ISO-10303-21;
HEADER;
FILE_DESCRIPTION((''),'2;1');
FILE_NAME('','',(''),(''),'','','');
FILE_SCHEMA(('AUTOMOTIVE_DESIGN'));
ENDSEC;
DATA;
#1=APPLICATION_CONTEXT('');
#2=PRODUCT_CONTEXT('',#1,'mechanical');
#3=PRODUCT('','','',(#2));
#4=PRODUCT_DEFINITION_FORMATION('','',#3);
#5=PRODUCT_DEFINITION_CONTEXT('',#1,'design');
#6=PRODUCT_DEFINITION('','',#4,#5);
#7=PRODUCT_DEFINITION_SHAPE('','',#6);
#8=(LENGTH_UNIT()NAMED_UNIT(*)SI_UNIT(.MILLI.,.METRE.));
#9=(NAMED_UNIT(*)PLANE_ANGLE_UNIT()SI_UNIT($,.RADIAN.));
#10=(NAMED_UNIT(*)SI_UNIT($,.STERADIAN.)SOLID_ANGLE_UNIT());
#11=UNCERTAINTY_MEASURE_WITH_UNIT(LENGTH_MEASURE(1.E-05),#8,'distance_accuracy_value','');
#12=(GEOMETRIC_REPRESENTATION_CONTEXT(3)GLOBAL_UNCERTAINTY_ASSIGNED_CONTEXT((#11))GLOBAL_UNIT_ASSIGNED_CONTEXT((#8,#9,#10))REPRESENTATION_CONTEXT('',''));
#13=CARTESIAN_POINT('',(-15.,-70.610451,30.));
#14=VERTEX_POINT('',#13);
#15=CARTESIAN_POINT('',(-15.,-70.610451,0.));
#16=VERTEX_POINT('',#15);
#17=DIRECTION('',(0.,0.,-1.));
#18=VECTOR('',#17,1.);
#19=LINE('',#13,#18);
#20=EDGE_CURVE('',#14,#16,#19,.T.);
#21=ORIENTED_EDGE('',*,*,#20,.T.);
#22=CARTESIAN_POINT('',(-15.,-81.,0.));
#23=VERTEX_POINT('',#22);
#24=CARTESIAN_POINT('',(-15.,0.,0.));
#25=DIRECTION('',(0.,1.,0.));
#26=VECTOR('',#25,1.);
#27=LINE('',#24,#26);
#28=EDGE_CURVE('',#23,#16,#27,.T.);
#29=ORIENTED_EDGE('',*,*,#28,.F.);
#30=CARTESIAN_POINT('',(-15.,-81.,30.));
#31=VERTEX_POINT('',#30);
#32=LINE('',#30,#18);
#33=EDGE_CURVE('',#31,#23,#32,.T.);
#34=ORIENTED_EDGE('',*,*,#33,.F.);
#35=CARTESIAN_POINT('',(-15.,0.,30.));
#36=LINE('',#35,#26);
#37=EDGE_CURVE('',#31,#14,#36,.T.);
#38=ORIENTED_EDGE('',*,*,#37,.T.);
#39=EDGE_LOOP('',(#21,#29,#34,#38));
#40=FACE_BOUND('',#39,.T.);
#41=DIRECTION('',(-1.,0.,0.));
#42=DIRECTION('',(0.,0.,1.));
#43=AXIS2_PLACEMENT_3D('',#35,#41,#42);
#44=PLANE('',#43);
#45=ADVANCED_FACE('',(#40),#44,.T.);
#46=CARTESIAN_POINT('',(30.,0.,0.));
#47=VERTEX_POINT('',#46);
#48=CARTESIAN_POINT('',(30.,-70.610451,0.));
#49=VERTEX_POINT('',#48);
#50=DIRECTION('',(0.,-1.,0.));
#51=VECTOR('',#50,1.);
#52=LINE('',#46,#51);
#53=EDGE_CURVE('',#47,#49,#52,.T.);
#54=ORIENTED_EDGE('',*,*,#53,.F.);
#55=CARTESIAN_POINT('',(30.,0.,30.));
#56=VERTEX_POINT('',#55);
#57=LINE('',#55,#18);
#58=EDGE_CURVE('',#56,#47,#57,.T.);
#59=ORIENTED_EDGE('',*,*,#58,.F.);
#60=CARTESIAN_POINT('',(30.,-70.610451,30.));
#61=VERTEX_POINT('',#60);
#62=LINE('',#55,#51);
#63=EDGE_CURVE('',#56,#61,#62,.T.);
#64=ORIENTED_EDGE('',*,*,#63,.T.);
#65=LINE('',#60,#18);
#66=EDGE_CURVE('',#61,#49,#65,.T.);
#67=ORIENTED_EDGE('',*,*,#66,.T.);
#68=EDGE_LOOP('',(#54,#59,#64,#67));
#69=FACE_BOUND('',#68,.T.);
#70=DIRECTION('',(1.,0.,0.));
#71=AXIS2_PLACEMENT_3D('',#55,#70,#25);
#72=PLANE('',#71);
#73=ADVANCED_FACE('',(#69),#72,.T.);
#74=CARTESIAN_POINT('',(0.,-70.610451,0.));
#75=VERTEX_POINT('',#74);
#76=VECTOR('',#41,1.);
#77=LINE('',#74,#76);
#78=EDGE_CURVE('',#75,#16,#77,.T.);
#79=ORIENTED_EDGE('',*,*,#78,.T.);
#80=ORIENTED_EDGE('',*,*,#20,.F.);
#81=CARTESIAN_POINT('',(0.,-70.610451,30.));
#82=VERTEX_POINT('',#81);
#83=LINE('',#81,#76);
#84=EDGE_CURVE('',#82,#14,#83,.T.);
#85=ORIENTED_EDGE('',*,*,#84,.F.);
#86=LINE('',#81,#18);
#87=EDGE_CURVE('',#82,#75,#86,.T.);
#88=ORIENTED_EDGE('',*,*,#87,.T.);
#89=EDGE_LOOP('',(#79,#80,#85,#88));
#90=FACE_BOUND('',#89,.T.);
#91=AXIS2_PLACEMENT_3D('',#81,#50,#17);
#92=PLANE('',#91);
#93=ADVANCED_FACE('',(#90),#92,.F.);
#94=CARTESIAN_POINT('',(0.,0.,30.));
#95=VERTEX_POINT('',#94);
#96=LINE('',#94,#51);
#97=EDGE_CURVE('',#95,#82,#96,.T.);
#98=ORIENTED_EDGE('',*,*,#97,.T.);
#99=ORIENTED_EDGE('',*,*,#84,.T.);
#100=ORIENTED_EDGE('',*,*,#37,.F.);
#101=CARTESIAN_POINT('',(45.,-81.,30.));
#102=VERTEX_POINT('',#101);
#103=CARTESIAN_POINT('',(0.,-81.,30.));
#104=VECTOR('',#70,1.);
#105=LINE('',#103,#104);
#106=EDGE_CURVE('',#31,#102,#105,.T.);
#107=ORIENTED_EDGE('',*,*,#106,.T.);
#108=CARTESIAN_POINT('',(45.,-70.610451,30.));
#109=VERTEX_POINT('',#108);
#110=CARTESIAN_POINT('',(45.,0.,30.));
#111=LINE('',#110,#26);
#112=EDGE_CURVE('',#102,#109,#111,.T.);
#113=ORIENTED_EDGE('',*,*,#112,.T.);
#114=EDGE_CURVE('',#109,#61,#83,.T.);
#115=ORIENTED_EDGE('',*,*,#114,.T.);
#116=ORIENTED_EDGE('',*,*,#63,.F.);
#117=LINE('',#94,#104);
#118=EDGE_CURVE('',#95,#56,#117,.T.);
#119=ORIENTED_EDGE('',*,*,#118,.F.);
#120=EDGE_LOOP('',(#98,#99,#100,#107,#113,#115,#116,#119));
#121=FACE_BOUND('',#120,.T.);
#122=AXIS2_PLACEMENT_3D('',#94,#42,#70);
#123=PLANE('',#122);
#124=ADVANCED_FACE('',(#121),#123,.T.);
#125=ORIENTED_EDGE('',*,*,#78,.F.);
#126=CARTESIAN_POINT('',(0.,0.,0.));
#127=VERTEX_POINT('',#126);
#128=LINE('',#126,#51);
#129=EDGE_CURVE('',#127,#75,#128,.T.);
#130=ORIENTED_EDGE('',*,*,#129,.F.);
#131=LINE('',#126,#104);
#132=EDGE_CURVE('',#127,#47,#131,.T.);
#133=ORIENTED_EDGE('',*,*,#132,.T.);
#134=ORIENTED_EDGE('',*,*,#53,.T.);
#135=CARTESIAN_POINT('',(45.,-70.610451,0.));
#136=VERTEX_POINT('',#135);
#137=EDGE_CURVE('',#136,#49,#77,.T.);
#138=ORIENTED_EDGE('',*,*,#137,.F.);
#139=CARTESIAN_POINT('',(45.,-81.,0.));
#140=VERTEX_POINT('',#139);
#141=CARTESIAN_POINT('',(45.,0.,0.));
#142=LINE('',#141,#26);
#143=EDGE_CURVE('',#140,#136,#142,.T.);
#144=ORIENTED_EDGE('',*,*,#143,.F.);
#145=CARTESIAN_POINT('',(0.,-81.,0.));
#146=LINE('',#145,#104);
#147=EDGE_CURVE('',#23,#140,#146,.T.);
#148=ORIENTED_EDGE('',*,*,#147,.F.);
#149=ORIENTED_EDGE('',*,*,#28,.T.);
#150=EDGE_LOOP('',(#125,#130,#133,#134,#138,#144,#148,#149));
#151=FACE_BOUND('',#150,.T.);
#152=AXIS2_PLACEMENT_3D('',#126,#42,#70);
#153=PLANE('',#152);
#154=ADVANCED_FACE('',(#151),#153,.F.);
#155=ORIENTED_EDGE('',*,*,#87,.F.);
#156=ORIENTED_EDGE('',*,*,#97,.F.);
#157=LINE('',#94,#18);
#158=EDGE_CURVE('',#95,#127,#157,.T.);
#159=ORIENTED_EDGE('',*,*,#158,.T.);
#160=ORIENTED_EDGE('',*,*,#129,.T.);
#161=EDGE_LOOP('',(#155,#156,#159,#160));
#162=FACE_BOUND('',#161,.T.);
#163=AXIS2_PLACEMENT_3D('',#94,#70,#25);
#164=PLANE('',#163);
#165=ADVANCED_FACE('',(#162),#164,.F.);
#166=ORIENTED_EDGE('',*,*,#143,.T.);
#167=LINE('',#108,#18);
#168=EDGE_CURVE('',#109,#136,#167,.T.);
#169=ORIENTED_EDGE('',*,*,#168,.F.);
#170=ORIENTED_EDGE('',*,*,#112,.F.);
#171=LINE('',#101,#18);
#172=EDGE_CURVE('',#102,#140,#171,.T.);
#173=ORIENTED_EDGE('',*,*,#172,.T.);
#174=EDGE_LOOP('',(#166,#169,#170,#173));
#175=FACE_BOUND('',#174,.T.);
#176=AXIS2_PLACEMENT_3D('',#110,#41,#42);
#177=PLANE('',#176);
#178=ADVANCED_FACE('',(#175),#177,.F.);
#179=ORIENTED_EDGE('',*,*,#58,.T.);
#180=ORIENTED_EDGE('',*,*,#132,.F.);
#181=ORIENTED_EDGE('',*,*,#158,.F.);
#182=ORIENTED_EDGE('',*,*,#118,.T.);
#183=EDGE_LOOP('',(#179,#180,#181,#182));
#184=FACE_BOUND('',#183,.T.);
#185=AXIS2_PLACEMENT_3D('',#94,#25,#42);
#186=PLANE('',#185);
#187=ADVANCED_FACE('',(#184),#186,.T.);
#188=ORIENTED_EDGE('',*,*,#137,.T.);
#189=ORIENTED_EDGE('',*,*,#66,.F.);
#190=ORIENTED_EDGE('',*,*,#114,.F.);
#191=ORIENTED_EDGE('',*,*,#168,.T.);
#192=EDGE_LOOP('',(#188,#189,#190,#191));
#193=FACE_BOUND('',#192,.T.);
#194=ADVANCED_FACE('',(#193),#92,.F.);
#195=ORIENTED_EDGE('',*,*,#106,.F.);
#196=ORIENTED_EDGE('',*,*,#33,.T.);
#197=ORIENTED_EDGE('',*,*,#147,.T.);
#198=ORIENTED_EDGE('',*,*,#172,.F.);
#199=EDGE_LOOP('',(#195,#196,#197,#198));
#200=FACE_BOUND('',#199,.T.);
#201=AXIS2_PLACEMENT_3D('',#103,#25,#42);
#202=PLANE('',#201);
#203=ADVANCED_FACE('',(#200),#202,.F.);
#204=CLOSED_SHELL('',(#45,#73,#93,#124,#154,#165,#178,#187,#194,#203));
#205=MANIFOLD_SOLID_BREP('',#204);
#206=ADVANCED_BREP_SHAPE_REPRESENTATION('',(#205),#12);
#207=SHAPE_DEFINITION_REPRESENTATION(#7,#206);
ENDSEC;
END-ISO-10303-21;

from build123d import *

# Parameters (mm, degrees)
BOSS_EXTRUDE1_DEPTH = 30


with BuildPart() as part:
    # Sketch1 → Boss-Extrude1 (new body)
    with BuildSketch(Plane.XY):
        Polygon((-15, -81), (0, -81), (30, -81), (45, -81), (45, -70.610451306), (30, -70.610451306), (30, 0), (0, 0), (0, -70.610451306), (-15, -70.610451306), align=None)
    extrude(amount=BOSS_EXTRUDE1_DEPTH)


solid = part.part
